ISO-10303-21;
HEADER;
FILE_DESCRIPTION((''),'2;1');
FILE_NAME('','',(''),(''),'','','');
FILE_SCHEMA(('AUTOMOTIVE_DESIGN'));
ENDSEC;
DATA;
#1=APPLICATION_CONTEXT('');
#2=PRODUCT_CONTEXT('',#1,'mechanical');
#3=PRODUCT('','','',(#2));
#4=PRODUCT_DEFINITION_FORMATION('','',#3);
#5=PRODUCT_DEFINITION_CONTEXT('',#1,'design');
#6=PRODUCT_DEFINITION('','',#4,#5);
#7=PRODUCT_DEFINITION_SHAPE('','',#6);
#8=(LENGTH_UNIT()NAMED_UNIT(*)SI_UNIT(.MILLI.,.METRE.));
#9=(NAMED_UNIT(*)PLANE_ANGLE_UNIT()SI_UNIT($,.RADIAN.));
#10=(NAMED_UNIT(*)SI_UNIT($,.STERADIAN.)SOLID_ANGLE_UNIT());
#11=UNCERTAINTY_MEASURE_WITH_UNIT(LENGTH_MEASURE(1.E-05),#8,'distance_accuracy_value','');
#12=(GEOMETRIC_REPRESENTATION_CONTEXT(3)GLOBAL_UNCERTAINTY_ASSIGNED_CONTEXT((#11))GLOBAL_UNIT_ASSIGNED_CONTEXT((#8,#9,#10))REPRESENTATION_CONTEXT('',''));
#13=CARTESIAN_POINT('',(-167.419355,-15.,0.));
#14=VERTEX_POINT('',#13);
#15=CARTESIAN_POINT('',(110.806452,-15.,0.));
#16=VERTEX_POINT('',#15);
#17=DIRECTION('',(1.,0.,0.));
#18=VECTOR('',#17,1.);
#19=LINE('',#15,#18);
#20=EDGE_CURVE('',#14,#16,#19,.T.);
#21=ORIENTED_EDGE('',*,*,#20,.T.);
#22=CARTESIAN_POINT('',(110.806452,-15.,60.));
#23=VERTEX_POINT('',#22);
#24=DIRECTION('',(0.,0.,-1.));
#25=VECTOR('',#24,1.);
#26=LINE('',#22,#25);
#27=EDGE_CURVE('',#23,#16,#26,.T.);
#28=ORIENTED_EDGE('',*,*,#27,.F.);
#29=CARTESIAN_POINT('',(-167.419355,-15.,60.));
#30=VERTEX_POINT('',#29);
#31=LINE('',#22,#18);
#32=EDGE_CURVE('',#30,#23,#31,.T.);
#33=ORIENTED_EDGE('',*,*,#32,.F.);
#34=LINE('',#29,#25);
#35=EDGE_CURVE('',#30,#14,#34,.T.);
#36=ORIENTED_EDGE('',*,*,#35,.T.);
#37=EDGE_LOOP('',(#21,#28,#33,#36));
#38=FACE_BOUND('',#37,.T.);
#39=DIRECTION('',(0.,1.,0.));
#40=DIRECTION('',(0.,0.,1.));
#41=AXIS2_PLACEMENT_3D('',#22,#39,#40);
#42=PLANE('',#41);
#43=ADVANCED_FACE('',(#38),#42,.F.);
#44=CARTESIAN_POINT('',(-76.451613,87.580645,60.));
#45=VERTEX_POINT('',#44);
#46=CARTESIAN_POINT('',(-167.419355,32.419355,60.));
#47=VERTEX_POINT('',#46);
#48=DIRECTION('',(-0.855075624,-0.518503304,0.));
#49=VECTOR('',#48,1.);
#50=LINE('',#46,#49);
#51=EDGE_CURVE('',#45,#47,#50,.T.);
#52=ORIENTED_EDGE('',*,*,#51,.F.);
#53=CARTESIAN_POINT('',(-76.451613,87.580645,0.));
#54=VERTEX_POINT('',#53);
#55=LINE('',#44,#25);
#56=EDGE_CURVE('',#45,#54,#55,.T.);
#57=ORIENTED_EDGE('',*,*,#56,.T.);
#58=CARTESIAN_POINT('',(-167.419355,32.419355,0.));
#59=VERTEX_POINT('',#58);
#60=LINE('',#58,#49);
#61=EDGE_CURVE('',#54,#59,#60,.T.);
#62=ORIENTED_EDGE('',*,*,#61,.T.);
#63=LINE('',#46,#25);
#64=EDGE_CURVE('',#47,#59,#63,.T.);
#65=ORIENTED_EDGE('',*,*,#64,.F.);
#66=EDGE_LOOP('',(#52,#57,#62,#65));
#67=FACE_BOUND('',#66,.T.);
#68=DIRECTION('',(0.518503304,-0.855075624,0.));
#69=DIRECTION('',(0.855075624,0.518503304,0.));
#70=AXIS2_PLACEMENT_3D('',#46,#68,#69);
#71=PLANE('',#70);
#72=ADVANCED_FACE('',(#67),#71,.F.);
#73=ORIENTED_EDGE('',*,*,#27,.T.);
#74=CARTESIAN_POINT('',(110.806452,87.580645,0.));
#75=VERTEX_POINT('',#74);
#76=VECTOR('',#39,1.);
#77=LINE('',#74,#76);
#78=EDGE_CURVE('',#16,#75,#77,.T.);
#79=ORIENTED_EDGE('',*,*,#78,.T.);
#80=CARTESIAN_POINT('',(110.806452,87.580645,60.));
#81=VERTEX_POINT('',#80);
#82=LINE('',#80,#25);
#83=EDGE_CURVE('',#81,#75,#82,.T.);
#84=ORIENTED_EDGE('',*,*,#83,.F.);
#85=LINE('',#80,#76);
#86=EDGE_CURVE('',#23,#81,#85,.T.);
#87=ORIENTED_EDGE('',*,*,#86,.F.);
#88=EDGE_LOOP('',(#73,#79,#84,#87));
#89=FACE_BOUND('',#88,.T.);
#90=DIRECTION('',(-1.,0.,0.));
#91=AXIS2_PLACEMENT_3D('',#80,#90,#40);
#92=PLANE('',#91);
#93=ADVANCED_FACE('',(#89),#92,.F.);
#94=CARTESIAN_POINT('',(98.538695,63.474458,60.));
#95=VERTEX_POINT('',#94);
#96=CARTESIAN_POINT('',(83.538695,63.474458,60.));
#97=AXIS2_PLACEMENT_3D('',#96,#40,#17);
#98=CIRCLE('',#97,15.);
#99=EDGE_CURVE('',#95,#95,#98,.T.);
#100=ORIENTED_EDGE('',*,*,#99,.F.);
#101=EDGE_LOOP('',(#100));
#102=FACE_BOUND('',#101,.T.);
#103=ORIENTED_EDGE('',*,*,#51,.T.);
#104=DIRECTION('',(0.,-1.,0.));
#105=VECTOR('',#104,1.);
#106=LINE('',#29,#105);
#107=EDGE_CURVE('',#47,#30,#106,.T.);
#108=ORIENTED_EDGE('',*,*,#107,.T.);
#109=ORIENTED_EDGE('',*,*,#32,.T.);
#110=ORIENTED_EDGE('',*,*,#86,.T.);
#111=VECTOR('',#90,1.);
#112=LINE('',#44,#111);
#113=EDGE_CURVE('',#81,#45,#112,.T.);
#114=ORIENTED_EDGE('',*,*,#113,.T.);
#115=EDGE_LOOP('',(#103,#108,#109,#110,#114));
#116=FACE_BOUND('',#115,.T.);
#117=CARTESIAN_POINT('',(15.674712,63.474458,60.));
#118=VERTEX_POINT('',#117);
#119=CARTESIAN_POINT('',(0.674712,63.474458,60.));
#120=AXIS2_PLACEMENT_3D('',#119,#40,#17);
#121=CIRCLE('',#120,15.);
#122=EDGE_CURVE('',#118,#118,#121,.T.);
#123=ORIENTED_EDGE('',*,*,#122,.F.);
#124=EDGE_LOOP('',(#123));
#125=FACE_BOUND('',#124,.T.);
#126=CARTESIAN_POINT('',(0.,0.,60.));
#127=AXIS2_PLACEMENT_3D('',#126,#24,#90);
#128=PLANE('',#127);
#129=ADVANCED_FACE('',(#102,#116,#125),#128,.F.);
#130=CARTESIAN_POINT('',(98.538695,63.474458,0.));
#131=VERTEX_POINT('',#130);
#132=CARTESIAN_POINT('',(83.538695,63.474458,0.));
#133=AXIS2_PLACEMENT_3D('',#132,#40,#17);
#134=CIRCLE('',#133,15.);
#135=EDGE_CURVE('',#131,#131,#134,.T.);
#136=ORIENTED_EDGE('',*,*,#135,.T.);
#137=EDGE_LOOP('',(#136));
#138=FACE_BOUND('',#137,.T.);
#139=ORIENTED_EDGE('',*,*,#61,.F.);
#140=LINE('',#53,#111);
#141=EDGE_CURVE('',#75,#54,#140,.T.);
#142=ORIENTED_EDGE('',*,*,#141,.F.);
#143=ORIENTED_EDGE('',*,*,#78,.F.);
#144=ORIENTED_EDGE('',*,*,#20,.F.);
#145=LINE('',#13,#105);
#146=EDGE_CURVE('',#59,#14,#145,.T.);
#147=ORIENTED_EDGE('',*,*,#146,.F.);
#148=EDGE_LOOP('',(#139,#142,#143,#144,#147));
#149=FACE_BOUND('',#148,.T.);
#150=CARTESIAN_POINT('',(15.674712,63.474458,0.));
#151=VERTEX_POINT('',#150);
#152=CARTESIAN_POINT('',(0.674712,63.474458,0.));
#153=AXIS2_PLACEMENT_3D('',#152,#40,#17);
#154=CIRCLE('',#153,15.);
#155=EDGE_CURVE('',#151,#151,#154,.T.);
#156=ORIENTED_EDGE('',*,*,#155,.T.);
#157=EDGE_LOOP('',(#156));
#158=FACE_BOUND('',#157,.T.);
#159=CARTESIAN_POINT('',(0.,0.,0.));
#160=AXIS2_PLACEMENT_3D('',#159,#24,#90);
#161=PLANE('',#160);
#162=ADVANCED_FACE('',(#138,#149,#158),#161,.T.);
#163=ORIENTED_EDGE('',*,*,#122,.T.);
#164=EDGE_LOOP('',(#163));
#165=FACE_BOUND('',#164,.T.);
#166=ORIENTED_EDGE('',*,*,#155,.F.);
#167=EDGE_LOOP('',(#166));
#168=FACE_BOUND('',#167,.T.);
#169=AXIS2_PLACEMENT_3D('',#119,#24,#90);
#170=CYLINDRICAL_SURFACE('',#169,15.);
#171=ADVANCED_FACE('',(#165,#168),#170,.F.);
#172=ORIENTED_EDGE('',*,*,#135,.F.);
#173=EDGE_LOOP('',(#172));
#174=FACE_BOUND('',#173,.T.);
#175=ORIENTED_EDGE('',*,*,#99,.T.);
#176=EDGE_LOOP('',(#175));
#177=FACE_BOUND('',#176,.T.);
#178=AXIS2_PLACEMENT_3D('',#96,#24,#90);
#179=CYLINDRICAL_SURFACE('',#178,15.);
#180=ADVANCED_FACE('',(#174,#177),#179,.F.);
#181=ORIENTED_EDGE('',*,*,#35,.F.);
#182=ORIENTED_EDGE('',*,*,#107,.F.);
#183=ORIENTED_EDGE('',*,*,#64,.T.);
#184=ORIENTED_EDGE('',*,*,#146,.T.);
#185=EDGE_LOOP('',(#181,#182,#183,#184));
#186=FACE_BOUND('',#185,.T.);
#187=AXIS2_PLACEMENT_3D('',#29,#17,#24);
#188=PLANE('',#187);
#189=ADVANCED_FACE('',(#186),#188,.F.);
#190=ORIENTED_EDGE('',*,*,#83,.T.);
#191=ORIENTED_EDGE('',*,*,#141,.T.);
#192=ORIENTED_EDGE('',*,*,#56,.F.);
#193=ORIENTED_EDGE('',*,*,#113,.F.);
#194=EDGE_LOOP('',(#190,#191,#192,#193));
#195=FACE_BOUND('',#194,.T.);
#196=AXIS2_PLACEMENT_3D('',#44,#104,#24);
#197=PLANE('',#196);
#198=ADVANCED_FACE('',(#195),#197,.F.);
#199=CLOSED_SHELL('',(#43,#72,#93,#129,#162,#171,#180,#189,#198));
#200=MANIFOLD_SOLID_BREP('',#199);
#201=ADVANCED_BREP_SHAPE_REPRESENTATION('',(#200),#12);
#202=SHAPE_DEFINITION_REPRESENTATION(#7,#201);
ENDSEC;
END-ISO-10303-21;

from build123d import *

# Parameters (mm, degrees)
SKETCH1_R           = 15
BOSS_EXTRUDE1_DEPTH = 60


with BuildPart() as part:
    # Sketch1 → Boss-Extrude1 (new body)
    with BuildSketch(Plane.XY):
        Polygon((-76.451612903, 87.580645161), (110.806451613, 87.580645161), (110.806451613, -15), (-167.419354839, -15), (-167.419354839, 32.419354839), align=None)
        with Locations((83.538694654, 63.474457894)):
            Circle(SKETCH1_R, mode=Mode.SUBTRACT)
        with Locations((0.674711509, 63.474457894)):
            Circle(SKETCH1_R, mode=Mode.SUBTRACT)
    extrude(amount=BOSS_EXTRUDE1_DEPTH)


solid = part.part
